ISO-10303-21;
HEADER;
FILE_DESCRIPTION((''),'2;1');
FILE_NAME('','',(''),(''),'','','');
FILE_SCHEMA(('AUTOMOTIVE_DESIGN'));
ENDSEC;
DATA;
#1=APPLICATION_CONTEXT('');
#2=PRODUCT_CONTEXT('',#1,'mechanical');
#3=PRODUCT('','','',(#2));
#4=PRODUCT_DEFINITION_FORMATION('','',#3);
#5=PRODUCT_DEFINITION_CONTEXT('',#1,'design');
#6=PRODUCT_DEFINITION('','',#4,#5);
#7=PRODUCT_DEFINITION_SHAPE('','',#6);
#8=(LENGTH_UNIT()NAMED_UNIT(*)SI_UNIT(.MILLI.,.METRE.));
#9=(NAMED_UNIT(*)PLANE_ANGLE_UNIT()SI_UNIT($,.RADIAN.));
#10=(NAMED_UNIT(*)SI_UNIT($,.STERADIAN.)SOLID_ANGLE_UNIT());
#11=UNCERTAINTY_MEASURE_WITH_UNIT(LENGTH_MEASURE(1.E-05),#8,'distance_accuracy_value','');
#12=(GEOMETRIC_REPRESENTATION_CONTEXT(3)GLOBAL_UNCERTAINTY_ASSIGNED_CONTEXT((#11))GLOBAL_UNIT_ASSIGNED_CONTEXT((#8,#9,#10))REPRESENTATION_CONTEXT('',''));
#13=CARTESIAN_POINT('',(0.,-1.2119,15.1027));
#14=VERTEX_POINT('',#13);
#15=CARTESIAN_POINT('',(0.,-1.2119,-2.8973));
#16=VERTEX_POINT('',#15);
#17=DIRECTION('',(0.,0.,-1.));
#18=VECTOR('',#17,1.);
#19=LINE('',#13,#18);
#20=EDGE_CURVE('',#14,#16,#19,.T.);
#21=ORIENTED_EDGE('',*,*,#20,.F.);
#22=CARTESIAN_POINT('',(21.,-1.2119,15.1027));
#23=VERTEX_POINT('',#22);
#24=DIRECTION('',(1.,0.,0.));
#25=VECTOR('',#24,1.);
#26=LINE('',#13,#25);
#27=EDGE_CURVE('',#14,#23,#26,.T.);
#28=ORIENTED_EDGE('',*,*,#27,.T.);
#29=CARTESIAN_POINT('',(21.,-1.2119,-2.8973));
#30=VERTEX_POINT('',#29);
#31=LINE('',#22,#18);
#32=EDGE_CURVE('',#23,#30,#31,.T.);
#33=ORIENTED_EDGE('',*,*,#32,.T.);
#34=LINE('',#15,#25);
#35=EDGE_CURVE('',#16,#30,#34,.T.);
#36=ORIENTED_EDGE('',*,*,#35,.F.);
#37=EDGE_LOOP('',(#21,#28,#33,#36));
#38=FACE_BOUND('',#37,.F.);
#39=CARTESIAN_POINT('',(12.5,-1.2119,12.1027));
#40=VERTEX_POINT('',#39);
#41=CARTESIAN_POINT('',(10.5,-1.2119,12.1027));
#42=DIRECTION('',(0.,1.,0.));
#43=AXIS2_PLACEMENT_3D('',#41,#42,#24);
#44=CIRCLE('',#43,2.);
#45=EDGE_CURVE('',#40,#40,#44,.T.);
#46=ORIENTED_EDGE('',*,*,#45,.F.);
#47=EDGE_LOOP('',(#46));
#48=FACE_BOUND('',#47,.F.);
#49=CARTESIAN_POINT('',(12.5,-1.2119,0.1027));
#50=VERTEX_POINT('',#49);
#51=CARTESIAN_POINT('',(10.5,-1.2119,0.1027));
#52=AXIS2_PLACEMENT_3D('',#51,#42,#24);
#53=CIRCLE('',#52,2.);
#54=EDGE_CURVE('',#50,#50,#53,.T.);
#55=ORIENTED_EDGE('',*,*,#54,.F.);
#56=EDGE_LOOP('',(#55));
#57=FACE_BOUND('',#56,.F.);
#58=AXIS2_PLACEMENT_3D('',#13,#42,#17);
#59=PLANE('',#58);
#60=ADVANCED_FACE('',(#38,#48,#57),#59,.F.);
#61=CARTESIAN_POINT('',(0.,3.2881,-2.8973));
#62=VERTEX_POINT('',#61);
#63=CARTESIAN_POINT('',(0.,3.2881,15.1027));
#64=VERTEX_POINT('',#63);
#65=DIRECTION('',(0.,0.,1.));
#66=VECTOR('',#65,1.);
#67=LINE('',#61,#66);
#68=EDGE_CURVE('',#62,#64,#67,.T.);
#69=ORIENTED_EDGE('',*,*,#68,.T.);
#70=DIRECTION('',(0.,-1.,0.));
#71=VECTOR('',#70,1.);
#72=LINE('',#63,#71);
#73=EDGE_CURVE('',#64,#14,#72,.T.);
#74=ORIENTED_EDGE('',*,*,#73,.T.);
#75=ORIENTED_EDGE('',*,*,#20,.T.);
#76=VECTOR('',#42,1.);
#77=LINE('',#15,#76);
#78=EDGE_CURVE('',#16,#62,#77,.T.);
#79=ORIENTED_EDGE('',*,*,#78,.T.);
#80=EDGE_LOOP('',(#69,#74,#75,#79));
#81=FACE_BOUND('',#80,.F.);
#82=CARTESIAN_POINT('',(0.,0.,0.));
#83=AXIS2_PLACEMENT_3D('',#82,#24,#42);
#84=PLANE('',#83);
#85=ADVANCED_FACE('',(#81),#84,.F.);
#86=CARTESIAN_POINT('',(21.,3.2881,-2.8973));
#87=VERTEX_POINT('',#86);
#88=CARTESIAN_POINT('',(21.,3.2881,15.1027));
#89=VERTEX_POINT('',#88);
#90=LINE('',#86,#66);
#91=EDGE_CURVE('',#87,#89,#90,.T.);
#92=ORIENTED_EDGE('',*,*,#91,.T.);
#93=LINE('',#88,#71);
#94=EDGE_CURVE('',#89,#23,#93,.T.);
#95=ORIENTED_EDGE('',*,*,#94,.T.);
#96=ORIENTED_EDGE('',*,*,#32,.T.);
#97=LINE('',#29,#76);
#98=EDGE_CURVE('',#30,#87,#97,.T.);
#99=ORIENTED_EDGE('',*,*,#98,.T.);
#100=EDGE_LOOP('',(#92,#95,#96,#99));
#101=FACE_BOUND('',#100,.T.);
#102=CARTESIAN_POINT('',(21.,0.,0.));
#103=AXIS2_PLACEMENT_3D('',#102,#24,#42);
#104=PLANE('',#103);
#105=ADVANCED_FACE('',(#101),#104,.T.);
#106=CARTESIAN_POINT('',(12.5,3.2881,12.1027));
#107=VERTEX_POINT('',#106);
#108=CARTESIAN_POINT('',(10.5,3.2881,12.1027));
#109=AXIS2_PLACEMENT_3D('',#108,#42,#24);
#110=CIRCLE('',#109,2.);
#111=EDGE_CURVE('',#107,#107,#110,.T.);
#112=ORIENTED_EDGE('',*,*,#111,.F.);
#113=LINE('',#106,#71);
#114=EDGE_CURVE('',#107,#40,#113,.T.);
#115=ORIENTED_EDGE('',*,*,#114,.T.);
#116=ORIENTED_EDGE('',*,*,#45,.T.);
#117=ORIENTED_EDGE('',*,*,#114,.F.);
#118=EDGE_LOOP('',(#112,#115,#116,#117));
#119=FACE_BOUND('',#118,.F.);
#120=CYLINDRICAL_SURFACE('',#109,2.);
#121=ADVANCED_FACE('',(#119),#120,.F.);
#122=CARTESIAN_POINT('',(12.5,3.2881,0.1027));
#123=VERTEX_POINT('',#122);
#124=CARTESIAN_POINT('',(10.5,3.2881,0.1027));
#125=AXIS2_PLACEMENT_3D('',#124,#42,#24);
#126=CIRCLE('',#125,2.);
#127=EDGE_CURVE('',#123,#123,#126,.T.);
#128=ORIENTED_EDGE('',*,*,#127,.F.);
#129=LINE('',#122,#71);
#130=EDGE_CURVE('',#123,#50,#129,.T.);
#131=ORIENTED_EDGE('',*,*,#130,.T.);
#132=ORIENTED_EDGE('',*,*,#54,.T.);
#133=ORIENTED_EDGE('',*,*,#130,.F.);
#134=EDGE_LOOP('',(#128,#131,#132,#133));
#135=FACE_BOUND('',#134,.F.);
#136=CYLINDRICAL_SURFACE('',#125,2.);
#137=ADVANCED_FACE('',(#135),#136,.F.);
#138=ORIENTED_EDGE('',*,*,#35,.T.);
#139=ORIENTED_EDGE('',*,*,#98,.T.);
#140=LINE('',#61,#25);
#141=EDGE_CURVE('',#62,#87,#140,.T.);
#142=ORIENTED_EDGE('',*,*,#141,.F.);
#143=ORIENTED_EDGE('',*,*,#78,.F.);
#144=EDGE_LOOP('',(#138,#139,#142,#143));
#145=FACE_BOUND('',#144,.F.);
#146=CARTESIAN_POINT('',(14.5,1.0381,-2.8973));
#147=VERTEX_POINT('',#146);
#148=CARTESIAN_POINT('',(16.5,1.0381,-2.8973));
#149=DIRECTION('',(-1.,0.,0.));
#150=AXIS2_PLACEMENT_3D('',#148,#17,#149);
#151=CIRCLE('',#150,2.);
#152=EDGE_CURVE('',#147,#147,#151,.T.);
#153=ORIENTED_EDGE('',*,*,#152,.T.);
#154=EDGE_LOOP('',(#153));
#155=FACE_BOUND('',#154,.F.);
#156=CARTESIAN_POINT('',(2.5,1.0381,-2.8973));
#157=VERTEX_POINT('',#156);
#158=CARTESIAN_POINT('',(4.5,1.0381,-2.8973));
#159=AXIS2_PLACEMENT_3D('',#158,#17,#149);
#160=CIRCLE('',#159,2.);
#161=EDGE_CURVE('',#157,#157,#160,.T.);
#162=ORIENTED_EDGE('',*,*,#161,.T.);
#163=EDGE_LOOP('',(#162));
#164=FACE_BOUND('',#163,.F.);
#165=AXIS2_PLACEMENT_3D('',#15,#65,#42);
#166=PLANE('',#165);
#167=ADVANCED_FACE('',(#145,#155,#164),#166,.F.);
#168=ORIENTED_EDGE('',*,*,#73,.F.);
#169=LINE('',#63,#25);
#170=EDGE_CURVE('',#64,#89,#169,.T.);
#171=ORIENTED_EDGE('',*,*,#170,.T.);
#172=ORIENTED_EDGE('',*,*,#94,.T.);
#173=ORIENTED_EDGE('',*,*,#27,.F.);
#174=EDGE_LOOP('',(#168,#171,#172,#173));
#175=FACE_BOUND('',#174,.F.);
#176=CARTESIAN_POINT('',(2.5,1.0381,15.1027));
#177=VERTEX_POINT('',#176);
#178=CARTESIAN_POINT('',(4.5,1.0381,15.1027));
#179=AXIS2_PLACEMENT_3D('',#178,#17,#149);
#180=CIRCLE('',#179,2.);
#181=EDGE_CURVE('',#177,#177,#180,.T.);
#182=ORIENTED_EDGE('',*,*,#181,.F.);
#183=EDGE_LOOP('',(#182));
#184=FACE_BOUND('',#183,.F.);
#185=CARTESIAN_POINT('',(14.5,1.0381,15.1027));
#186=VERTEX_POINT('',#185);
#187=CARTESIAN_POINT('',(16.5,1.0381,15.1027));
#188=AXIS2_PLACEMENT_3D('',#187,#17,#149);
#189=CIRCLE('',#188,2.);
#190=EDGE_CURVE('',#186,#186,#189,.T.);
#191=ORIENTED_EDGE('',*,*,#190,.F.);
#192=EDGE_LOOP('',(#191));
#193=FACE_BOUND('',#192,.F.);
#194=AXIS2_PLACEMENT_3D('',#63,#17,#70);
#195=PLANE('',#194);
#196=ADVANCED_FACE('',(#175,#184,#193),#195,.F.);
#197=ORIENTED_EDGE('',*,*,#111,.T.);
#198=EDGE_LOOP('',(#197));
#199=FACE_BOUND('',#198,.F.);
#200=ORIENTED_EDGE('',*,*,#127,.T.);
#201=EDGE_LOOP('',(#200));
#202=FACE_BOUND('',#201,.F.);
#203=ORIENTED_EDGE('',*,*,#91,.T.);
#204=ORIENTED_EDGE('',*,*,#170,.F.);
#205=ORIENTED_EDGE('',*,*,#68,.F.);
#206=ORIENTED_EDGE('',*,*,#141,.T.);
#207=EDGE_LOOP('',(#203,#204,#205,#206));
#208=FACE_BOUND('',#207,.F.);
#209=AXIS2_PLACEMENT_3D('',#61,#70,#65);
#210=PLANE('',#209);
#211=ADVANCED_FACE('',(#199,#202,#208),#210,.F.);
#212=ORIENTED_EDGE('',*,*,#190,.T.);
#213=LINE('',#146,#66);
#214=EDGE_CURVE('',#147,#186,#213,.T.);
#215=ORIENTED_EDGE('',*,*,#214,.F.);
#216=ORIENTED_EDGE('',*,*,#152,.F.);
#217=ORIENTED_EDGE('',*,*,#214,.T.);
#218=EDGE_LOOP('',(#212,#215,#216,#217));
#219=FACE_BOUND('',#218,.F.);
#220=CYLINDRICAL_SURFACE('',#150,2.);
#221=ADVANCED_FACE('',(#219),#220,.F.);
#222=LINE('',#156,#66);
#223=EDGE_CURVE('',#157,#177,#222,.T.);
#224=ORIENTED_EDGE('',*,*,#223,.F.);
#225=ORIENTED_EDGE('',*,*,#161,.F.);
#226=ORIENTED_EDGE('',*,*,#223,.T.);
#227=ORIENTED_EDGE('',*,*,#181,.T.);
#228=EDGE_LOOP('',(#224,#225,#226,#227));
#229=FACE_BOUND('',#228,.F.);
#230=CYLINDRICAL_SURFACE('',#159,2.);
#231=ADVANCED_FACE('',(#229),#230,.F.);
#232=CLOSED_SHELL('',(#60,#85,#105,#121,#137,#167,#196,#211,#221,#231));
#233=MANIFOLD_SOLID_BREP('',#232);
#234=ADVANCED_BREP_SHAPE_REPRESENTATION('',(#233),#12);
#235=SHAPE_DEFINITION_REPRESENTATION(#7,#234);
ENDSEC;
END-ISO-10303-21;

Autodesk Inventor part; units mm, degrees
ref_plane "YZ Plane" through (0, 0, 0) normal (1, 0, 0) x (0, 1, 0)
ref_plane "XZ Plane" through (0, 0, 0) normal (0, 1, 0) x (-1, 0, 0)
ref_plane "XY Plane" through (0, 0, 0) normal (0, 0, 1) x (1, 0, 0)
sketch "Sketch1" plane through (0, 0, 0) normal (1, 0, 0) x (0, 1, 0)
  line L0 (3.2881, 15.1027) -> (-1.2119, 15.1027)
  line L1 (-1.2119, 15.1027) -> (-1.2119, -2.8973)
  line L2 (-1.2119, -2.8973) -> (3.2881, -2.8973)
  line L3 (3.2881, -2.8973) -> (3.2881, 15.1027)
  point P0 (0, 0)
  dimension "d0" = 4.5
  dimension "d1" = 18
extrude "Extrusion1" add sketch "Sketch1" along normal blind 21
sketch "Sketch2" plane through (0, 3.2881, 15.1027) normal (0, 1, 0) x (1, 0, 0)
  circle A0 centre (10.5, 3) radius 2
  circle A1 centre (10.5, 3) radius 2
  circle A2 centre (10.5, 15) radius 2
  line L0 (0, 18) -> (21, 18) projected
  line L1 (0, 0) -> (21, 0) projected
  line L2 (0, 18) -> (0, 0) projected
  point P0 (0, 15.1027)
  dimension "d4" = 18
  dimension "d5" = 12
  dimension "d6" = 3
  dimension "d7" = 10.5
  dimension "d8" = 21
  dimension "d9" = 10.5
sketch "Sketch3" plane through (0, -1.2119, -2.8973) normal (0, 0, -1) x (-1, 0, 0)
  circle A0 centre (-4.5, 2.25) radius 2
  circle A1 centre (-4.5, 2.25) radius 2
  circle A2 centre (-16.5, 2.25) radius 2
  line L0 (0, 4.5) -> (-21, 4.5) projected
  line L1 (0, 0) -> (0, 4.5) projected
  point P0 (0, 1.2119)
  dimension "d10" = 12
  dimension "d11" = 2.25
  dimension "d12" = 2.25
  dimension "d13" = 4.5
extrude "Extrusion2" cut sketch "Sketch2" against normal through all
extrude "Extrusion3" cut sketch "Sketch3" against normal through all
equation "\"d7\" = 0.5 * d8"
equation "\"d9\" = d7"
equation "\"d12\" = d11"
properties part number "XL_XL_interface_v2"
